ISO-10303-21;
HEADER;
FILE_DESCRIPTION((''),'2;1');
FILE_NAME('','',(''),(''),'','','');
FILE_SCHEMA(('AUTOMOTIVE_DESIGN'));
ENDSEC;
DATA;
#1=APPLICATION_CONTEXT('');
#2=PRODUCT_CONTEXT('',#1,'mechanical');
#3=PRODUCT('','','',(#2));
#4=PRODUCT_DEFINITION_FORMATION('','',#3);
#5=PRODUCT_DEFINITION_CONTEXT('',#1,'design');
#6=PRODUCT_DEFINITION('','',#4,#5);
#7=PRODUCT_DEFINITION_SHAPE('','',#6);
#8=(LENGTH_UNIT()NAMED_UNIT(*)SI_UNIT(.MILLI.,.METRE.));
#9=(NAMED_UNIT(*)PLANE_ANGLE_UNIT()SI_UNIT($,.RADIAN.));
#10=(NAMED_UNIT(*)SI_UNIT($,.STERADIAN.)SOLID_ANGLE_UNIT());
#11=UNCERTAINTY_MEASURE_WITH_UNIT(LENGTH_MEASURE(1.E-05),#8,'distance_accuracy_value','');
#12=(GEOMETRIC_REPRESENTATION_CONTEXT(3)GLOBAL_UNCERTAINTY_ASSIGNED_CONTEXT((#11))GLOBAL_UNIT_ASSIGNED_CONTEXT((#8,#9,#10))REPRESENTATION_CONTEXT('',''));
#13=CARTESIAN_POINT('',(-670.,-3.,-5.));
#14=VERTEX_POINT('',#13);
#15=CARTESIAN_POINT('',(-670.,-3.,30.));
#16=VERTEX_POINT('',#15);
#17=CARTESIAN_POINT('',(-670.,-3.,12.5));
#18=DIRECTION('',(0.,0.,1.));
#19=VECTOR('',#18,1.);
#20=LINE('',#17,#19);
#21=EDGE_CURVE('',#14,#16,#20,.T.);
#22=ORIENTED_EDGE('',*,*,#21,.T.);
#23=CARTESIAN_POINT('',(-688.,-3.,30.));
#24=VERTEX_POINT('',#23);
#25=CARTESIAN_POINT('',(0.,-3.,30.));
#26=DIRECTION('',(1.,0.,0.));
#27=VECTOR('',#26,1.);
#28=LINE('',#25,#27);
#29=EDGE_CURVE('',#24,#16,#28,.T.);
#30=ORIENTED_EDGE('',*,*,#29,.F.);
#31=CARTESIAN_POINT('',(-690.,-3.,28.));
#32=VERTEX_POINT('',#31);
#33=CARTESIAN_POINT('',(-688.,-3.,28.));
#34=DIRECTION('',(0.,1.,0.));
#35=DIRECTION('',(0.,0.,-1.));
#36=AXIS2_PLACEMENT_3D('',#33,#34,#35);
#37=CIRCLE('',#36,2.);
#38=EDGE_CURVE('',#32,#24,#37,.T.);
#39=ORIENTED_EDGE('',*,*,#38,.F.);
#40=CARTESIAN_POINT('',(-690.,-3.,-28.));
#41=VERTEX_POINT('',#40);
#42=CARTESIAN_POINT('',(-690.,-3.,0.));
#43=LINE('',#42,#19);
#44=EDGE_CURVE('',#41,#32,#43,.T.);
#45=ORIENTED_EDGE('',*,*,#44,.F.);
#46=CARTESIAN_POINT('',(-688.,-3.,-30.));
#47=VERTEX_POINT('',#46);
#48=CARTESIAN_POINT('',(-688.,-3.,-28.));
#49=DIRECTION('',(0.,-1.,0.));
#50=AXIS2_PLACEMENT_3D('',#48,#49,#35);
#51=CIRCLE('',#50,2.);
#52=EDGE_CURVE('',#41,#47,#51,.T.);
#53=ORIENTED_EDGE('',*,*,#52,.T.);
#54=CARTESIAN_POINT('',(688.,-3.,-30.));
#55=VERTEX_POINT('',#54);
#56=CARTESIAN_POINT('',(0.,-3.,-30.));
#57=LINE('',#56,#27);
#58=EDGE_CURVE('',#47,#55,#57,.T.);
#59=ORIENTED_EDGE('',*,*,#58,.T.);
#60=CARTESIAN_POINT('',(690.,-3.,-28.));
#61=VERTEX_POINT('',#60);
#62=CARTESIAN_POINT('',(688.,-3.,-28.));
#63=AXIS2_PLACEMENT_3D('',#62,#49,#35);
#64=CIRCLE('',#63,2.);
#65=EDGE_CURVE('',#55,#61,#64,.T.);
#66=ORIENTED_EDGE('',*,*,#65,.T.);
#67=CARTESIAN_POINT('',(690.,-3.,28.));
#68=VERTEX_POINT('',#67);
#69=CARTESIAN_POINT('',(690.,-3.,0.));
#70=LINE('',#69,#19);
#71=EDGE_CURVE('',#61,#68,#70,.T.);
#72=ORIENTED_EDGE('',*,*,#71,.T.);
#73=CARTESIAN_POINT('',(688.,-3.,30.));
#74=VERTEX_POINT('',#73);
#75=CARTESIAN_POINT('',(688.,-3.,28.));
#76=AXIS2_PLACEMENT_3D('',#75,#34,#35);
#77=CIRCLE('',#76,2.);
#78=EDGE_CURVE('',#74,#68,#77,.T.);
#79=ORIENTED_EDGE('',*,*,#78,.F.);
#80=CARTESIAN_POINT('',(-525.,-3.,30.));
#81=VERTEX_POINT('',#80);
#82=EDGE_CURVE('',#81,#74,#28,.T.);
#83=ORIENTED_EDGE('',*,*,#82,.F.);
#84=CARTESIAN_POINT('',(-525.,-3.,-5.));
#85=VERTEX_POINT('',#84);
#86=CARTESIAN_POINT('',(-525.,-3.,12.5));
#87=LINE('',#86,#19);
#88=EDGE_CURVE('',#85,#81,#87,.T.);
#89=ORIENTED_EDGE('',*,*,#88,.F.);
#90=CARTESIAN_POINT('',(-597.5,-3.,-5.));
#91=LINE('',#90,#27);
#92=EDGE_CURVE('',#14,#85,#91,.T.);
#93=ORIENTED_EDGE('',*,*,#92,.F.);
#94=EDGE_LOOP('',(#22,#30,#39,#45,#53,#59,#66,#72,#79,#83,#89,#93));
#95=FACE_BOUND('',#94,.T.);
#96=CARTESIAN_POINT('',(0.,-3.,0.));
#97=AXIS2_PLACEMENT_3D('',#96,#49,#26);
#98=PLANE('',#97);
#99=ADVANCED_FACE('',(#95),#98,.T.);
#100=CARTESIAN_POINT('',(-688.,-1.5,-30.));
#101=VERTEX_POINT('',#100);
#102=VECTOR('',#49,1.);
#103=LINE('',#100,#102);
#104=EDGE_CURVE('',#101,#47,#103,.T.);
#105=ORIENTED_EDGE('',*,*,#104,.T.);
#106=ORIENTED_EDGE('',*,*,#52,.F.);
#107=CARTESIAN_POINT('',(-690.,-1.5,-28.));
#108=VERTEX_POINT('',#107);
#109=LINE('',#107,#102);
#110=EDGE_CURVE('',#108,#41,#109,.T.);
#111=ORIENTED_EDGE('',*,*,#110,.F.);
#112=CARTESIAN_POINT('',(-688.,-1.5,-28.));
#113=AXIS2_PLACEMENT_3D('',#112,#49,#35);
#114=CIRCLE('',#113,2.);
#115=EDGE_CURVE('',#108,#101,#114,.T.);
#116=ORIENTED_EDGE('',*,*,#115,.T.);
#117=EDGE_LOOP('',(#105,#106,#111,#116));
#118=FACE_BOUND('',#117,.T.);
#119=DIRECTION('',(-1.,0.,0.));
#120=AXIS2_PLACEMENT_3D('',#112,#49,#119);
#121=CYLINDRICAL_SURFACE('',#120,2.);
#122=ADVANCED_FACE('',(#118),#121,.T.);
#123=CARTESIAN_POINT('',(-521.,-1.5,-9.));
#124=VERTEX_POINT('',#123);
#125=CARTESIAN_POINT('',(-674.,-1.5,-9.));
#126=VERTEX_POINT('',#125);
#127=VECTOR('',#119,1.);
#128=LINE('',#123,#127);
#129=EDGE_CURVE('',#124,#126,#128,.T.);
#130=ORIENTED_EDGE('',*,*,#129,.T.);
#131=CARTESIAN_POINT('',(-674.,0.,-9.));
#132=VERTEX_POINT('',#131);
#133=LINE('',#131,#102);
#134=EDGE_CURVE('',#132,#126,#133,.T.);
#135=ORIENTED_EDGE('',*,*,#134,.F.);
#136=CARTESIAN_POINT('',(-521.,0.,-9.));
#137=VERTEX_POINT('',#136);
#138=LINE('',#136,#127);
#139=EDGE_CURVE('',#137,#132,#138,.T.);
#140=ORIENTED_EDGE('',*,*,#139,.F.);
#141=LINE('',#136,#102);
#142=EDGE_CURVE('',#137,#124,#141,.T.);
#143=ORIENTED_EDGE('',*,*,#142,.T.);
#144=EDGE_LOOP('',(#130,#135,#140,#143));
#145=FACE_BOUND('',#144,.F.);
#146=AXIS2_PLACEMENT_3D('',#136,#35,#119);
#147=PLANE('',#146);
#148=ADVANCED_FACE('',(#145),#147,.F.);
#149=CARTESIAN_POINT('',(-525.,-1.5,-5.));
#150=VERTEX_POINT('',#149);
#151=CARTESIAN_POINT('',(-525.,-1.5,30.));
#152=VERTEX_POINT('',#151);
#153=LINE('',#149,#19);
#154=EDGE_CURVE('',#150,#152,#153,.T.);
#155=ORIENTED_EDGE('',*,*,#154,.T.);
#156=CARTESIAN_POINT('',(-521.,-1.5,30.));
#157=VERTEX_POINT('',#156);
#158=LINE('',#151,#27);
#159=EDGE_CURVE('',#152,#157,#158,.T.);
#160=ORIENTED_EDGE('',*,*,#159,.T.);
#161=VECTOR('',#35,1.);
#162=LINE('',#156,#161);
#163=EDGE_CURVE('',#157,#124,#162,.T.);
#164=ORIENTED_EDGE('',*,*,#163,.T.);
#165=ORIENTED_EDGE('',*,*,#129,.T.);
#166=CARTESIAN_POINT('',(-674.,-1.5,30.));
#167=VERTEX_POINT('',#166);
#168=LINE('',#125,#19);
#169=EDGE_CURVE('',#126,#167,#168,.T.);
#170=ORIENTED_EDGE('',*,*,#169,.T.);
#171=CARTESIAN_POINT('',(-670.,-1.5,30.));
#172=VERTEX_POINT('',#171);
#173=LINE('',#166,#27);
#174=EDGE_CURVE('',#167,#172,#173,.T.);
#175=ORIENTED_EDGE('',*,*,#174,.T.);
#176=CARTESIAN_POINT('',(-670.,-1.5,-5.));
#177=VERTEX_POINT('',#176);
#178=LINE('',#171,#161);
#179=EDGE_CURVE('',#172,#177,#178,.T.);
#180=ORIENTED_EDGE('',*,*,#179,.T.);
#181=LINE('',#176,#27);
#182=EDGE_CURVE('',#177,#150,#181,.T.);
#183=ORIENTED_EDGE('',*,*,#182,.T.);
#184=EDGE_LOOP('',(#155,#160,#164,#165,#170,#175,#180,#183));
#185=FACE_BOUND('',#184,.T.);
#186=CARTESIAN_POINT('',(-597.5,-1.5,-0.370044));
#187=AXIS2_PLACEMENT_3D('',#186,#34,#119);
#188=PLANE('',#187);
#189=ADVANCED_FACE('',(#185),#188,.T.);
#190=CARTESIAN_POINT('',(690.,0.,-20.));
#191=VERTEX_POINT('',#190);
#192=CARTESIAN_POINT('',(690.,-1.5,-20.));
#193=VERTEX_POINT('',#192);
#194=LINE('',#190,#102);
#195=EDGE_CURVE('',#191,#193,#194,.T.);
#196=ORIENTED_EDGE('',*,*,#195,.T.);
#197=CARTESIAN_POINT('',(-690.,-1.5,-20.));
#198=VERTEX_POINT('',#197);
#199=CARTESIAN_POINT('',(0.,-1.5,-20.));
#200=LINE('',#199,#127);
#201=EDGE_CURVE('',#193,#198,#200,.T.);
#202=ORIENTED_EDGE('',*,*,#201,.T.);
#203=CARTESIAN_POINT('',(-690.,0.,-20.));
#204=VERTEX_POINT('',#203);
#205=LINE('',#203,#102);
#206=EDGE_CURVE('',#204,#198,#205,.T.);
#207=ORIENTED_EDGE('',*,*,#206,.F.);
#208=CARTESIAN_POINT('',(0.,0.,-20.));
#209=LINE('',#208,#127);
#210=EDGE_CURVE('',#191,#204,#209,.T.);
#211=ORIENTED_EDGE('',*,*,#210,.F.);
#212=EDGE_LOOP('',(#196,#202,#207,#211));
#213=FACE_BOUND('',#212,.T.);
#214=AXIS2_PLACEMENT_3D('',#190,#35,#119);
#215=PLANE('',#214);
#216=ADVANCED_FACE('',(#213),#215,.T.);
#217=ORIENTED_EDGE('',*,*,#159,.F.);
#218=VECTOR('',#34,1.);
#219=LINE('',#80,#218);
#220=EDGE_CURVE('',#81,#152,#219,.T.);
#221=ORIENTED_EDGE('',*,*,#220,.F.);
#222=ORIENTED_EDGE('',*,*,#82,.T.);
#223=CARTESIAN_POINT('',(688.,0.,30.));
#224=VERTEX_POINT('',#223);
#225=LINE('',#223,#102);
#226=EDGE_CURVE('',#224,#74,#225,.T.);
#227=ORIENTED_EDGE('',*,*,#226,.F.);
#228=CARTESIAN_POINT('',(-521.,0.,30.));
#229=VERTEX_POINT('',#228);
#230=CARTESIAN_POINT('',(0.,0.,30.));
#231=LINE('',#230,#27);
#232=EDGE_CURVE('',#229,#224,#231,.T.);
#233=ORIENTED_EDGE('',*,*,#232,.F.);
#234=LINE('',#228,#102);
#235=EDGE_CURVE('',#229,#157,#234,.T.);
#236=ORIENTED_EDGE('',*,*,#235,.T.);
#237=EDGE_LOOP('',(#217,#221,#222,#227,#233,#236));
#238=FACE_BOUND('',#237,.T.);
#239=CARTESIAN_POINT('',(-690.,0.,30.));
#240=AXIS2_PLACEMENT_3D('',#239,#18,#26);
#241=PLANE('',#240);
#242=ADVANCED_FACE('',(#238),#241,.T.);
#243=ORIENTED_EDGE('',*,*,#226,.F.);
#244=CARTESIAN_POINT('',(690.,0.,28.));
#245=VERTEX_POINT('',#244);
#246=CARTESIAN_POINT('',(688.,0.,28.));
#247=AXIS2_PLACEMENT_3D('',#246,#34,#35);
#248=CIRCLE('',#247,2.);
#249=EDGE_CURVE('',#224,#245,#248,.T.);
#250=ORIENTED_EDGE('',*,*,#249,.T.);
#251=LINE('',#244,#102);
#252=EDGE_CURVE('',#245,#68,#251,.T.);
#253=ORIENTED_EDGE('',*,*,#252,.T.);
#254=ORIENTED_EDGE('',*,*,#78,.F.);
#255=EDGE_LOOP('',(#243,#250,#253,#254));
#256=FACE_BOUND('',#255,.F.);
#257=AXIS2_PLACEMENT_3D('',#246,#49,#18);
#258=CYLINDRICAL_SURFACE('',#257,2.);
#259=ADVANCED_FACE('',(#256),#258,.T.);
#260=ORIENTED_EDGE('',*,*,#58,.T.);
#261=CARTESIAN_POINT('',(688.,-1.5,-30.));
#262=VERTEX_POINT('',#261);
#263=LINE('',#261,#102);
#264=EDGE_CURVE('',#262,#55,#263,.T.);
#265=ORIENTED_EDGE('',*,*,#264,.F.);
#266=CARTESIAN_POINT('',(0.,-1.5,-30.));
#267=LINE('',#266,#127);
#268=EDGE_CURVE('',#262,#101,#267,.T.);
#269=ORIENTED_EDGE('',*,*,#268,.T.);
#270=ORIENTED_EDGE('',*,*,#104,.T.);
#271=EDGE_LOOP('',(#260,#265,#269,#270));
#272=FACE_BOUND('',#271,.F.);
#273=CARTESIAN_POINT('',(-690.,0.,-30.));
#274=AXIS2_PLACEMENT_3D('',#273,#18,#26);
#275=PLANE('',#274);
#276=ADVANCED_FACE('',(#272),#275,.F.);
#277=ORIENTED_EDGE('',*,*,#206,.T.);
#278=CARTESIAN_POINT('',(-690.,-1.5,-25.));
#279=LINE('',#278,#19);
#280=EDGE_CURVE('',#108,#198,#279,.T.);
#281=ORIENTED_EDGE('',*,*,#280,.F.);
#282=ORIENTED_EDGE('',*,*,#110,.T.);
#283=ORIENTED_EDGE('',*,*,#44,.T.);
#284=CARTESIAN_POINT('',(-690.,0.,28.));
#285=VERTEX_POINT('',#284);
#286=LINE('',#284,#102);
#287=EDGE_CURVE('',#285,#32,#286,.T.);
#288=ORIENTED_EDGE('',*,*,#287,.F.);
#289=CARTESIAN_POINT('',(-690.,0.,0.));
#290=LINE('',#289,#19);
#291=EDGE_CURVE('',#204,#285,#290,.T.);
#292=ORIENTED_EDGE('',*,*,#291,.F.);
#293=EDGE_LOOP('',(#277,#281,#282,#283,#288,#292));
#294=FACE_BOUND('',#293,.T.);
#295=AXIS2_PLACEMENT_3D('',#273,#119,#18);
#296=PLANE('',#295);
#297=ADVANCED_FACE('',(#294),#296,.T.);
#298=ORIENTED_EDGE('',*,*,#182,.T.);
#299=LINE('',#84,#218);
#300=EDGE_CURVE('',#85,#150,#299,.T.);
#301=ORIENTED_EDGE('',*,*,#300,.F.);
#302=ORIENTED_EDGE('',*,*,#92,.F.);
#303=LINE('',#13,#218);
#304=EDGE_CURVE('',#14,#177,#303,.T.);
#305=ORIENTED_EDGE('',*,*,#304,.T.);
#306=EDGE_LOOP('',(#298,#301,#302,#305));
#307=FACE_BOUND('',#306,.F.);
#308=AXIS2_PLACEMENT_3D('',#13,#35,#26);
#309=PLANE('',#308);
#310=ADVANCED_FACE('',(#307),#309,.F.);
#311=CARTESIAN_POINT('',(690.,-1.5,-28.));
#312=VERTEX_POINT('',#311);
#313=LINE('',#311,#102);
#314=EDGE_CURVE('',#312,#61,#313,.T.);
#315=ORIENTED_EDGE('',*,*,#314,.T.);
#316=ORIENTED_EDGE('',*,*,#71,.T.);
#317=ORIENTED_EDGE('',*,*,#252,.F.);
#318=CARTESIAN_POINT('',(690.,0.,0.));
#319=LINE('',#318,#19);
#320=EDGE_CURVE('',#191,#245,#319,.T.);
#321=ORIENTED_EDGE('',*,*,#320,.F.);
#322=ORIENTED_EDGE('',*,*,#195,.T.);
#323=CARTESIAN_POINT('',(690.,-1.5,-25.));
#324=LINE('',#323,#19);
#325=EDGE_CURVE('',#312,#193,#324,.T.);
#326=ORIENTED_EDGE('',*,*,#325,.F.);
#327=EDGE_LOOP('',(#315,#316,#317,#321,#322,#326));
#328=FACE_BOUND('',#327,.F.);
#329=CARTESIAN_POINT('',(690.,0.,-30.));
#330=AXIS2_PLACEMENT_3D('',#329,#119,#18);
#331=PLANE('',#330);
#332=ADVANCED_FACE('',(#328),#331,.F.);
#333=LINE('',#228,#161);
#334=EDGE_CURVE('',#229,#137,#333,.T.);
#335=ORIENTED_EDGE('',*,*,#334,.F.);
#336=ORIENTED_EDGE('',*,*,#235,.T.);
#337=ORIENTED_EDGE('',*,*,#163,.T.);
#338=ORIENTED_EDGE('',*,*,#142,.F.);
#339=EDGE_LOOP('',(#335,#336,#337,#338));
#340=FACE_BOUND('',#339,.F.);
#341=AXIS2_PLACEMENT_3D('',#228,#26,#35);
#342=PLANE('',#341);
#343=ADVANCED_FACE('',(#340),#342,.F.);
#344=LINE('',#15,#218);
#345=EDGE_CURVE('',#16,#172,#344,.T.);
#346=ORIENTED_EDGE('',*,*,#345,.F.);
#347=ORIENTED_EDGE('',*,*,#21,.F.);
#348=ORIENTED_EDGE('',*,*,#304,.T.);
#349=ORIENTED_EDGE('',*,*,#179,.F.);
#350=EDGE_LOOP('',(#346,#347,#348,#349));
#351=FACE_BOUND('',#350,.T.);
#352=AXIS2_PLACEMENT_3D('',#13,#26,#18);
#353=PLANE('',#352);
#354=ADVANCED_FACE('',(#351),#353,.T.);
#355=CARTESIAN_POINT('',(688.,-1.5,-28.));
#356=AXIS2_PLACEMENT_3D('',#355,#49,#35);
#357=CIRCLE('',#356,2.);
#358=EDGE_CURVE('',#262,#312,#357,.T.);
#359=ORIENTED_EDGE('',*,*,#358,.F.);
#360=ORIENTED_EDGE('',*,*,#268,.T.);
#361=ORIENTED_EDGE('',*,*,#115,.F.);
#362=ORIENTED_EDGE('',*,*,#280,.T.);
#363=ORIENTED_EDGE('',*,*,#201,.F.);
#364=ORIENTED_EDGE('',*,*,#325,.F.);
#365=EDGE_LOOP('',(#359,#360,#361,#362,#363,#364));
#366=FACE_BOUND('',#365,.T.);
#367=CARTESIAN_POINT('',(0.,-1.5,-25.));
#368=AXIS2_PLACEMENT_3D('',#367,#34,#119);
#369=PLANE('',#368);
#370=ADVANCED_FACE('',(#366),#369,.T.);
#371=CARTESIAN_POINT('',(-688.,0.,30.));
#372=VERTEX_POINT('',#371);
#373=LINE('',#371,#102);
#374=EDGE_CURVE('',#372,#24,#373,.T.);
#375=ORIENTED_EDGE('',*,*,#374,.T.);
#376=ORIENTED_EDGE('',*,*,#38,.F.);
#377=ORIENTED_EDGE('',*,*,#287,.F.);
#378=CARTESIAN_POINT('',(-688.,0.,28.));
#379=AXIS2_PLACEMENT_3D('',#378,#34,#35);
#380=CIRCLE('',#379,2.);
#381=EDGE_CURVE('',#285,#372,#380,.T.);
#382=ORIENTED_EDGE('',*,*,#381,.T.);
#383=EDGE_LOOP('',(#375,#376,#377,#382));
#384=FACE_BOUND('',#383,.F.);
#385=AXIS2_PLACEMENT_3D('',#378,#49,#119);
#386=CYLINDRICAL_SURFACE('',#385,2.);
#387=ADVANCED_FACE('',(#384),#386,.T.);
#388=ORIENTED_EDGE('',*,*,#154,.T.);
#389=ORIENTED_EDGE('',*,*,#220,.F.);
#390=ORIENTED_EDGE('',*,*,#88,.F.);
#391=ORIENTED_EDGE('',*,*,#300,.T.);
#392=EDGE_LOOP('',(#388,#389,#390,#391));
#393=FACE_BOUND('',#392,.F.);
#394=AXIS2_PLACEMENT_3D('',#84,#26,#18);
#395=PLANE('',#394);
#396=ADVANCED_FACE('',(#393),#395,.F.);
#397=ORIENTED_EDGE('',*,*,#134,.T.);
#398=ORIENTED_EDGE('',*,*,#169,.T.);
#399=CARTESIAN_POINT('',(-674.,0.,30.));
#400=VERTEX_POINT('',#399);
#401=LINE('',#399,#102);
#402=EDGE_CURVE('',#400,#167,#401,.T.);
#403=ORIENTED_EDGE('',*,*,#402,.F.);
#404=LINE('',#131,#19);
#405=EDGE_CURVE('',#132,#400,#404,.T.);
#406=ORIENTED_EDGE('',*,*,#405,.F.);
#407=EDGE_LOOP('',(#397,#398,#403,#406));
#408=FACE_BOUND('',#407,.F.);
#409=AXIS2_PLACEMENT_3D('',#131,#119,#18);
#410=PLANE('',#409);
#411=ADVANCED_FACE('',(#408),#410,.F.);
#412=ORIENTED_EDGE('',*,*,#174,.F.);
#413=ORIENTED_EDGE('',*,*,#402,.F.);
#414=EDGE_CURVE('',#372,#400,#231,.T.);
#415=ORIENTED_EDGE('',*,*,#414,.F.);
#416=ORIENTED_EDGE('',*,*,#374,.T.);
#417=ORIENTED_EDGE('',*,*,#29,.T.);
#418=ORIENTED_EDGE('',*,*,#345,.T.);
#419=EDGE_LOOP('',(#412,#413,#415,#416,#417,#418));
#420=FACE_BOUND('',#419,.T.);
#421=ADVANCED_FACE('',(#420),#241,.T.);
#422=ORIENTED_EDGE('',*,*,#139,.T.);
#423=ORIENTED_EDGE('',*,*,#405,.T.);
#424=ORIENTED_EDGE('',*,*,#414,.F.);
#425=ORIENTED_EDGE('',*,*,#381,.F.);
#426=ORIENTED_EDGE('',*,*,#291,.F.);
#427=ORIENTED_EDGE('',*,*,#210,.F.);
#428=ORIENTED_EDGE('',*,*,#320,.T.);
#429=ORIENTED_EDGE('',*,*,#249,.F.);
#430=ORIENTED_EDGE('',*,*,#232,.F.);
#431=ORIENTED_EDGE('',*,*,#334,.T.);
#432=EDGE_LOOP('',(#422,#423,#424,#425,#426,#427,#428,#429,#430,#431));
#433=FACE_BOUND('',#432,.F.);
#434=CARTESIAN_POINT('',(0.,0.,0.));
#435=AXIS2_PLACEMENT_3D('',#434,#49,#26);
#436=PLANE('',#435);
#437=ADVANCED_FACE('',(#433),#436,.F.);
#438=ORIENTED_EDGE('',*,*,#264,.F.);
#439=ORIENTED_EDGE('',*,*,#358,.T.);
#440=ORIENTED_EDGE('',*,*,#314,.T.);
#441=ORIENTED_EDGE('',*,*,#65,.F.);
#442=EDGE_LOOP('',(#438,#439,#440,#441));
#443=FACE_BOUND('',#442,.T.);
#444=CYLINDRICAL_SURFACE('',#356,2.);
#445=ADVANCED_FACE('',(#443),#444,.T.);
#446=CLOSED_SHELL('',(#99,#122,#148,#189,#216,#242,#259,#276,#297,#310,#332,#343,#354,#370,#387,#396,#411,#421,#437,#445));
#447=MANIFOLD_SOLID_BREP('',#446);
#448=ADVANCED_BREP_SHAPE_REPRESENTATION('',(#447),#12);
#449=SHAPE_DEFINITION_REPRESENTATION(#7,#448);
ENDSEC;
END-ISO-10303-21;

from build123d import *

# Parameters (mm, degrees)
F0_W     = 1380
F0_H     = 60
F1_DEPTH = 3
F2_W     = 1380
F2_H     = 10
F3_DEPTH = 1.5
F4_R     = 2
F5_W     = 145
F5_H     = 35
F6_DEPTH = 3
F8_DEPTH = 1.5


with BuildPart() as f1:
    # F0 (on Front) → F1 (new body)
    with BuildSketch(Plane.XZ):
        Rectangle(F0_W, F0_H)
    extrude(amount=F1_DEPTH)

    # F2 (on face) → F3 (cut)
    with BuildSketch(Plane(origin=(0, 0, 0), x_dir=(-1, 0, 0), z_dir=(0, 1, 0))):
        with Locations((0, -25)):
            Rectangle(F2_W, F2_H)
    extrude(amount=-F3_DEPTH, mode=Mode.SUBTRACT)

    # F4
    f4_edges = [f1.edges().sort_by_distance(p)[0] for p in [
        (690, -2.25, -30),
        (690, -1.5, 30),
        (-690, -1.5, 30),
        (-690, -2.25, -30),
    ]]
    fillet(f4_edges, radius=F4_R)

    # F5 (on face) → F6 (cut)
    with BuildSketch(Plane.XZ.offset(3)):
        with Locations((-597.5, 12.5)):
            Rectangle(F5_W, F5_H)
    extrude(amount=-F6_DEPTH, mode=Mode.SUBTRACT)

    # F7 (on face) → F8 (cut)
    with BuildSketch(Plane(origin=(0, 0, 0), x_dir=(-1, 0, 0), z_dir=(0, 1, 0))):
        Polygon((525, -5), (525, 30), (521, 30), (521, -9), (674, -9), (674, 30), (670, 30), (670, -5), align=None)
    extrude(amount=-F8_DEPTH, mode=Mode.SUBTRACT)


solid = f1.part
